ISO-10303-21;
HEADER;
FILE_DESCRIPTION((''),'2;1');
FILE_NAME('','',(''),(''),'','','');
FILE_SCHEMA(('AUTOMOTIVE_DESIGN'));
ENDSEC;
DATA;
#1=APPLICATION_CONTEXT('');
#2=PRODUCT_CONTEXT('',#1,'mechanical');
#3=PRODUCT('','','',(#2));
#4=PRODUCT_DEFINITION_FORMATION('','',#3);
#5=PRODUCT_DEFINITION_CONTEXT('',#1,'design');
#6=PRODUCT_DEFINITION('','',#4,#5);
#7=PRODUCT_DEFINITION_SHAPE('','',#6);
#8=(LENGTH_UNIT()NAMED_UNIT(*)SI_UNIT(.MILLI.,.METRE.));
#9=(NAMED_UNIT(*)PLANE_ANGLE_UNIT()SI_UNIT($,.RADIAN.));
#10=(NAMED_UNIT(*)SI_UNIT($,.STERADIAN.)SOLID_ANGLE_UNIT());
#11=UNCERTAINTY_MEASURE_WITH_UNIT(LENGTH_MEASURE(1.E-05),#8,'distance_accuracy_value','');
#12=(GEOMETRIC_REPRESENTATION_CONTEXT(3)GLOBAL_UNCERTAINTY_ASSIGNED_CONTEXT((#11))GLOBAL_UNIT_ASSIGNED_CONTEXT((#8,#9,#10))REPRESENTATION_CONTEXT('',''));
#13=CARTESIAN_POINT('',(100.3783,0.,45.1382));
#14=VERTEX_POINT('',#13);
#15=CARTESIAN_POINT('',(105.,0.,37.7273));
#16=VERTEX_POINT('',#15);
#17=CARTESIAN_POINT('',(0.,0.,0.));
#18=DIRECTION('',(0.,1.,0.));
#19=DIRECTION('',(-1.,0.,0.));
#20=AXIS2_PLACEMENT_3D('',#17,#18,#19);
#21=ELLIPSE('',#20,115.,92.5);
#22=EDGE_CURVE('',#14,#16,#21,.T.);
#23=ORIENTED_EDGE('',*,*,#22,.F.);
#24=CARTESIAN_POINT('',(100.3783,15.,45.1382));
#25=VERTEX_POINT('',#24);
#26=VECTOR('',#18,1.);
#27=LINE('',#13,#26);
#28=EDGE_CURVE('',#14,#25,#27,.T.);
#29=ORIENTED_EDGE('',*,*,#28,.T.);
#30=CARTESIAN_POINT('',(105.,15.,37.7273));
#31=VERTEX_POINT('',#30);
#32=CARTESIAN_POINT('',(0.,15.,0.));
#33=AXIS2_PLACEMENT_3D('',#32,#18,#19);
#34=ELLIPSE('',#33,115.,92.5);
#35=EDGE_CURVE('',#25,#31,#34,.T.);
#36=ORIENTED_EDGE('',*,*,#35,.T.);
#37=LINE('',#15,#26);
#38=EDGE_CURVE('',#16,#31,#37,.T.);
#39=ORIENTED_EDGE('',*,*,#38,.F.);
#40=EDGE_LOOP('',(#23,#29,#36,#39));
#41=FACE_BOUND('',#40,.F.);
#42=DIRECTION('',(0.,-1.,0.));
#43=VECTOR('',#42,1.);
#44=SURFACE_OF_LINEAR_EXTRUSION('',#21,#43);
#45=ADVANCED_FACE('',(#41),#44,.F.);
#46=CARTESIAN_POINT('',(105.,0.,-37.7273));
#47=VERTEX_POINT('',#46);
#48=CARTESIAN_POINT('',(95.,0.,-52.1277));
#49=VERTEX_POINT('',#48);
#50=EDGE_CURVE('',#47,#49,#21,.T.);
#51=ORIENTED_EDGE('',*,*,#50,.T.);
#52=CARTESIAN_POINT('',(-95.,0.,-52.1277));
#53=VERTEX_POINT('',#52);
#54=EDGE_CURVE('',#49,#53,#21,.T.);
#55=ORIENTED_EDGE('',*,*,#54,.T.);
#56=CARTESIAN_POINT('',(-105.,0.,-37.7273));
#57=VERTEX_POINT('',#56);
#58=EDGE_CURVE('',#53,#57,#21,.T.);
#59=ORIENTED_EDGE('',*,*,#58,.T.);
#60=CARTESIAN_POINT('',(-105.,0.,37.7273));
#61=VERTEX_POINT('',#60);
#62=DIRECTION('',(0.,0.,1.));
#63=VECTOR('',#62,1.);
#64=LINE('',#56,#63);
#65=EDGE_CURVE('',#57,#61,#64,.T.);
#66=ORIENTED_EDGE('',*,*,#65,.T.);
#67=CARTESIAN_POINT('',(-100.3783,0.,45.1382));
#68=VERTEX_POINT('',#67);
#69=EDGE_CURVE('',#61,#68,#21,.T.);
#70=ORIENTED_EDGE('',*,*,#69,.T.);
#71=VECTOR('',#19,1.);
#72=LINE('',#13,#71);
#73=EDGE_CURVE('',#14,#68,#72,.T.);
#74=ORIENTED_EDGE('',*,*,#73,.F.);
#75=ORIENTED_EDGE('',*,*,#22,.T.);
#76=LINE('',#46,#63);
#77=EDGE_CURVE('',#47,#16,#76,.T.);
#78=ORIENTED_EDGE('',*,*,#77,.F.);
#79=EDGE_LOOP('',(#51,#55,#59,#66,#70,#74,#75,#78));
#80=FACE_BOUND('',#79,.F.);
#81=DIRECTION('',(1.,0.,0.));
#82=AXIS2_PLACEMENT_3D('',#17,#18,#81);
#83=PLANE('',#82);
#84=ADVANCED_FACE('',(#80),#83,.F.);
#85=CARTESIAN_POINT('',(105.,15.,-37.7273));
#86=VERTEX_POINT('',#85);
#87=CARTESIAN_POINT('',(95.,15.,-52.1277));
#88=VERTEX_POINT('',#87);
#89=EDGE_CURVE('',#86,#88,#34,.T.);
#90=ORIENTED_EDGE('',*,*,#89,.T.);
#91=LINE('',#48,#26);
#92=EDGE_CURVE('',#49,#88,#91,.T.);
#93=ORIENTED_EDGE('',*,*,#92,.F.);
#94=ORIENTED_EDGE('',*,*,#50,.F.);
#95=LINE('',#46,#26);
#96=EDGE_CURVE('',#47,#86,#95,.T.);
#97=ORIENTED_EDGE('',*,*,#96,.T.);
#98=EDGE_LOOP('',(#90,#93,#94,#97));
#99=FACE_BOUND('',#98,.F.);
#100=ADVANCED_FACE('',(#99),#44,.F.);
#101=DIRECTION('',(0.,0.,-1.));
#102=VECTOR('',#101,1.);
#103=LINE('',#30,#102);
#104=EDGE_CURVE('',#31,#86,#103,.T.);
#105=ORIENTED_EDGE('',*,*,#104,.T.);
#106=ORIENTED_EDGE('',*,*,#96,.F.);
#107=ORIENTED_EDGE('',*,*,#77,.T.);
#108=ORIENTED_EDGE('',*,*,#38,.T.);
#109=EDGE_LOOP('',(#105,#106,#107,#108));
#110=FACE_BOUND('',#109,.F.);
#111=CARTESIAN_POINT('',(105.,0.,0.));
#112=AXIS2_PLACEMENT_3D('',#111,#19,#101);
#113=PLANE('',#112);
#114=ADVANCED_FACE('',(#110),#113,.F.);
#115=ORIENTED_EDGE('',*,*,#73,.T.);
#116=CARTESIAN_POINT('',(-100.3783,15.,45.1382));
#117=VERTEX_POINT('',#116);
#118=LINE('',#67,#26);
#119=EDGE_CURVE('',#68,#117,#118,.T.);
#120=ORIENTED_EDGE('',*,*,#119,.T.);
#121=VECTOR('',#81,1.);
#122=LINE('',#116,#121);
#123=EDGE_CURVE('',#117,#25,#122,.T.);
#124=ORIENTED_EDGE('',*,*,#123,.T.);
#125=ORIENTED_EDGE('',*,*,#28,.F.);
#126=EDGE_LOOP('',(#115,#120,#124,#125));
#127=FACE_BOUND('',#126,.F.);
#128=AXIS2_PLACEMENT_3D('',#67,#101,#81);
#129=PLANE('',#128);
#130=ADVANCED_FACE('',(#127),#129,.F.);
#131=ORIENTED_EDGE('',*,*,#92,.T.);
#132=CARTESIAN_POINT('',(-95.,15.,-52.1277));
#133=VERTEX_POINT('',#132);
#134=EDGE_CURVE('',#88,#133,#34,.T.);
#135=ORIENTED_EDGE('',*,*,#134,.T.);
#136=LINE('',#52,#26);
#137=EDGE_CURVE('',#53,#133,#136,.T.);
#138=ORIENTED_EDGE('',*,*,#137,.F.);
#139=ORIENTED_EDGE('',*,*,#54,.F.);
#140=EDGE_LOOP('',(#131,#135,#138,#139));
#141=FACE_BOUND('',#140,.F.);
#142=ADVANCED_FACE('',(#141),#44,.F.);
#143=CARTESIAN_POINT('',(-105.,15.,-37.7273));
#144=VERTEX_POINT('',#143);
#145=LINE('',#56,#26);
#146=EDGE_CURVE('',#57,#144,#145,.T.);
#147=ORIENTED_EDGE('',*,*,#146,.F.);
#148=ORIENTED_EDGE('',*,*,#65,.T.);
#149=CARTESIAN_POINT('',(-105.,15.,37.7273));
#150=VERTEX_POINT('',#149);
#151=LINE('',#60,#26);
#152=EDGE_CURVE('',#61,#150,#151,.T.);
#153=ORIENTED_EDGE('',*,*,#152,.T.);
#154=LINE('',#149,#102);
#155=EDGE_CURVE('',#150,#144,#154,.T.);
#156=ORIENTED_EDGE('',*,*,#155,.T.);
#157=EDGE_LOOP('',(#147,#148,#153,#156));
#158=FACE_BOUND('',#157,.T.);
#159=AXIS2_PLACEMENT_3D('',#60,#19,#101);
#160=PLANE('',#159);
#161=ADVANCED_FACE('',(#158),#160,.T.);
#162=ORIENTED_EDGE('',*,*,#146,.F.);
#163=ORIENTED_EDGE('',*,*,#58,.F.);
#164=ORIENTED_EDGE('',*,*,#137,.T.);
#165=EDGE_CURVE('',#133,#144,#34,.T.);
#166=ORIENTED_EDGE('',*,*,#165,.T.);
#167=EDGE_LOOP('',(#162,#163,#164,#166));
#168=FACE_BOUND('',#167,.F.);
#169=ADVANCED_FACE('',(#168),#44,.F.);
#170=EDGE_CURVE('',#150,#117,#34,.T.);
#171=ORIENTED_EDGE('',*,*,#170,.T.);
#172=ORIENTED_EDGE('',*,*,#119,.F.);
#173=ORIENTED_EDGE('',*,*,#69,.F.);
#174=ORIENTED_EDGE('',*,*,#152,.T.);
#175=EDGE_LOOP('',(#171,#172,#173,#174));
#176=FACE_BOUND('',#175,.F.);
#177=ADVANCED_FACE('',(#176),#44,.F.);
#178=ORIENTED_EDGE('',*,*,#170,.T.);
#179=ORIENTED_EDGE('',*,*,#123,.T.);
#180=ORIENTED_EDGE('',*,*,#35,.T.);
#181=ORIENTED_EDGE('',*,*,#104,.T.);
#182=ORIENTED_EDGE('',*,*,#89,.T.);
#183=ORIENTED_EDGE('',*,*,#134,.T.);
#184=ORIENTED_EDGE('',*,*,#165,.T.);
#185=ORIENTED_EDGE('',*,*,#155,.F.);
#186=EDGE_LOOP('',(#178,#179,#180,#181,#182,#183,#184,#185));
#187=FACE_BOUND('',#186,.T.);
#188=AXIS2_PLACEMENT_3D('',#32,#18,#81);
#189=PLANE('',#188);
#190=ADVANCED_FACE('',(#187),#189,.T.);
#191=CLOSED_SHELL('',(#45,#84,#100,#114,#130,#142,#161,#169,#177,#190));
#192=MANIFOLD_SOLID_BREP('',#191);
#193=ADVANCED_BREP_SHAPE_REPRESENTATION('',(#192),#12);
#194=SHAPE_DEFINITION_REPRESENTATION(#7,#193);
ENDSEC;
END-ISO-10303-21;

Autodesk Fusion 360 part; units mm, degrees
sketch "Sketch1" plane through (0, 0, 0) normal (0, 1, 0) x (1, 0, 0)
  line L0 (-105, -37.7273) -> (-105, 37.7273)
  line L1 (-95, 52.1277) -> (-95, -52.1277)
  line L2 (0, 0) -> (105, 0) construction
  line L3 (0, -20) -> (0, -2.5) construction
  line L4 (0, 92.5) -> (0, 82.5) construction
  ellipse E0 centre (0, 0) end of major axis (-115, 0) minor radius 92.5
  line L5 (115, 0) -> (-115, 0) construction
  line L6 (0, 92.5) -> (0, -92.5) construction
  ellipse E1 centre (0, 0) end of major axis (-105, 0) minor radius 82.5
  line L7 (105, 0) -> (115, 0) construction
  line L8 (0, -1.75) -> (0, -22.5)
  line L9 (95, 52.1277) -> (95, -52.1277)
  line L10 (105, -37.7273) -> (105, 37.7273)
  line L11 (-95, -35.1382) -> (95, -35.1382)
  line L12 (-100.3783, -45.1382) -> (100.3783, -45.1382)
  dimension "d1" = 10
  dimension "d3" = 10
  dimension "d4" = 10
  dimension "d5" = 82.5
  dimension "d7" = 95
  dimension "d13" = 10
extrude "Extrude1" add sketch "Sketch1" along normal blind 15 contours L0 L1 E0 E1 L12 | L1 E1 | L0 L1 E0 E1 | L1 E1 L12 | E1 L11 L12 | L1 E1 L9 L11 | L1 E0 E1 L9 | E1 L9 L12 | E1 L9 | E0 E1 L9 L10 L12 | E0 E1 L9 L10
equation "d1 = SideWidth"
equation "d3 = SideWidth"
equation "d4 = SideWidth"
equation "d5 = CaseWidth / 2"
equation "SideWidth = 10 mm"
equation "d7 = CaseLength / 2"
equation "CaseLength = 190 mm"
equation "CaseWidth = 165 mm"
equation "PanelHeight = 15 mm"
equation "d11 = PanelHeight"
equation "d13 = SideWidth"
